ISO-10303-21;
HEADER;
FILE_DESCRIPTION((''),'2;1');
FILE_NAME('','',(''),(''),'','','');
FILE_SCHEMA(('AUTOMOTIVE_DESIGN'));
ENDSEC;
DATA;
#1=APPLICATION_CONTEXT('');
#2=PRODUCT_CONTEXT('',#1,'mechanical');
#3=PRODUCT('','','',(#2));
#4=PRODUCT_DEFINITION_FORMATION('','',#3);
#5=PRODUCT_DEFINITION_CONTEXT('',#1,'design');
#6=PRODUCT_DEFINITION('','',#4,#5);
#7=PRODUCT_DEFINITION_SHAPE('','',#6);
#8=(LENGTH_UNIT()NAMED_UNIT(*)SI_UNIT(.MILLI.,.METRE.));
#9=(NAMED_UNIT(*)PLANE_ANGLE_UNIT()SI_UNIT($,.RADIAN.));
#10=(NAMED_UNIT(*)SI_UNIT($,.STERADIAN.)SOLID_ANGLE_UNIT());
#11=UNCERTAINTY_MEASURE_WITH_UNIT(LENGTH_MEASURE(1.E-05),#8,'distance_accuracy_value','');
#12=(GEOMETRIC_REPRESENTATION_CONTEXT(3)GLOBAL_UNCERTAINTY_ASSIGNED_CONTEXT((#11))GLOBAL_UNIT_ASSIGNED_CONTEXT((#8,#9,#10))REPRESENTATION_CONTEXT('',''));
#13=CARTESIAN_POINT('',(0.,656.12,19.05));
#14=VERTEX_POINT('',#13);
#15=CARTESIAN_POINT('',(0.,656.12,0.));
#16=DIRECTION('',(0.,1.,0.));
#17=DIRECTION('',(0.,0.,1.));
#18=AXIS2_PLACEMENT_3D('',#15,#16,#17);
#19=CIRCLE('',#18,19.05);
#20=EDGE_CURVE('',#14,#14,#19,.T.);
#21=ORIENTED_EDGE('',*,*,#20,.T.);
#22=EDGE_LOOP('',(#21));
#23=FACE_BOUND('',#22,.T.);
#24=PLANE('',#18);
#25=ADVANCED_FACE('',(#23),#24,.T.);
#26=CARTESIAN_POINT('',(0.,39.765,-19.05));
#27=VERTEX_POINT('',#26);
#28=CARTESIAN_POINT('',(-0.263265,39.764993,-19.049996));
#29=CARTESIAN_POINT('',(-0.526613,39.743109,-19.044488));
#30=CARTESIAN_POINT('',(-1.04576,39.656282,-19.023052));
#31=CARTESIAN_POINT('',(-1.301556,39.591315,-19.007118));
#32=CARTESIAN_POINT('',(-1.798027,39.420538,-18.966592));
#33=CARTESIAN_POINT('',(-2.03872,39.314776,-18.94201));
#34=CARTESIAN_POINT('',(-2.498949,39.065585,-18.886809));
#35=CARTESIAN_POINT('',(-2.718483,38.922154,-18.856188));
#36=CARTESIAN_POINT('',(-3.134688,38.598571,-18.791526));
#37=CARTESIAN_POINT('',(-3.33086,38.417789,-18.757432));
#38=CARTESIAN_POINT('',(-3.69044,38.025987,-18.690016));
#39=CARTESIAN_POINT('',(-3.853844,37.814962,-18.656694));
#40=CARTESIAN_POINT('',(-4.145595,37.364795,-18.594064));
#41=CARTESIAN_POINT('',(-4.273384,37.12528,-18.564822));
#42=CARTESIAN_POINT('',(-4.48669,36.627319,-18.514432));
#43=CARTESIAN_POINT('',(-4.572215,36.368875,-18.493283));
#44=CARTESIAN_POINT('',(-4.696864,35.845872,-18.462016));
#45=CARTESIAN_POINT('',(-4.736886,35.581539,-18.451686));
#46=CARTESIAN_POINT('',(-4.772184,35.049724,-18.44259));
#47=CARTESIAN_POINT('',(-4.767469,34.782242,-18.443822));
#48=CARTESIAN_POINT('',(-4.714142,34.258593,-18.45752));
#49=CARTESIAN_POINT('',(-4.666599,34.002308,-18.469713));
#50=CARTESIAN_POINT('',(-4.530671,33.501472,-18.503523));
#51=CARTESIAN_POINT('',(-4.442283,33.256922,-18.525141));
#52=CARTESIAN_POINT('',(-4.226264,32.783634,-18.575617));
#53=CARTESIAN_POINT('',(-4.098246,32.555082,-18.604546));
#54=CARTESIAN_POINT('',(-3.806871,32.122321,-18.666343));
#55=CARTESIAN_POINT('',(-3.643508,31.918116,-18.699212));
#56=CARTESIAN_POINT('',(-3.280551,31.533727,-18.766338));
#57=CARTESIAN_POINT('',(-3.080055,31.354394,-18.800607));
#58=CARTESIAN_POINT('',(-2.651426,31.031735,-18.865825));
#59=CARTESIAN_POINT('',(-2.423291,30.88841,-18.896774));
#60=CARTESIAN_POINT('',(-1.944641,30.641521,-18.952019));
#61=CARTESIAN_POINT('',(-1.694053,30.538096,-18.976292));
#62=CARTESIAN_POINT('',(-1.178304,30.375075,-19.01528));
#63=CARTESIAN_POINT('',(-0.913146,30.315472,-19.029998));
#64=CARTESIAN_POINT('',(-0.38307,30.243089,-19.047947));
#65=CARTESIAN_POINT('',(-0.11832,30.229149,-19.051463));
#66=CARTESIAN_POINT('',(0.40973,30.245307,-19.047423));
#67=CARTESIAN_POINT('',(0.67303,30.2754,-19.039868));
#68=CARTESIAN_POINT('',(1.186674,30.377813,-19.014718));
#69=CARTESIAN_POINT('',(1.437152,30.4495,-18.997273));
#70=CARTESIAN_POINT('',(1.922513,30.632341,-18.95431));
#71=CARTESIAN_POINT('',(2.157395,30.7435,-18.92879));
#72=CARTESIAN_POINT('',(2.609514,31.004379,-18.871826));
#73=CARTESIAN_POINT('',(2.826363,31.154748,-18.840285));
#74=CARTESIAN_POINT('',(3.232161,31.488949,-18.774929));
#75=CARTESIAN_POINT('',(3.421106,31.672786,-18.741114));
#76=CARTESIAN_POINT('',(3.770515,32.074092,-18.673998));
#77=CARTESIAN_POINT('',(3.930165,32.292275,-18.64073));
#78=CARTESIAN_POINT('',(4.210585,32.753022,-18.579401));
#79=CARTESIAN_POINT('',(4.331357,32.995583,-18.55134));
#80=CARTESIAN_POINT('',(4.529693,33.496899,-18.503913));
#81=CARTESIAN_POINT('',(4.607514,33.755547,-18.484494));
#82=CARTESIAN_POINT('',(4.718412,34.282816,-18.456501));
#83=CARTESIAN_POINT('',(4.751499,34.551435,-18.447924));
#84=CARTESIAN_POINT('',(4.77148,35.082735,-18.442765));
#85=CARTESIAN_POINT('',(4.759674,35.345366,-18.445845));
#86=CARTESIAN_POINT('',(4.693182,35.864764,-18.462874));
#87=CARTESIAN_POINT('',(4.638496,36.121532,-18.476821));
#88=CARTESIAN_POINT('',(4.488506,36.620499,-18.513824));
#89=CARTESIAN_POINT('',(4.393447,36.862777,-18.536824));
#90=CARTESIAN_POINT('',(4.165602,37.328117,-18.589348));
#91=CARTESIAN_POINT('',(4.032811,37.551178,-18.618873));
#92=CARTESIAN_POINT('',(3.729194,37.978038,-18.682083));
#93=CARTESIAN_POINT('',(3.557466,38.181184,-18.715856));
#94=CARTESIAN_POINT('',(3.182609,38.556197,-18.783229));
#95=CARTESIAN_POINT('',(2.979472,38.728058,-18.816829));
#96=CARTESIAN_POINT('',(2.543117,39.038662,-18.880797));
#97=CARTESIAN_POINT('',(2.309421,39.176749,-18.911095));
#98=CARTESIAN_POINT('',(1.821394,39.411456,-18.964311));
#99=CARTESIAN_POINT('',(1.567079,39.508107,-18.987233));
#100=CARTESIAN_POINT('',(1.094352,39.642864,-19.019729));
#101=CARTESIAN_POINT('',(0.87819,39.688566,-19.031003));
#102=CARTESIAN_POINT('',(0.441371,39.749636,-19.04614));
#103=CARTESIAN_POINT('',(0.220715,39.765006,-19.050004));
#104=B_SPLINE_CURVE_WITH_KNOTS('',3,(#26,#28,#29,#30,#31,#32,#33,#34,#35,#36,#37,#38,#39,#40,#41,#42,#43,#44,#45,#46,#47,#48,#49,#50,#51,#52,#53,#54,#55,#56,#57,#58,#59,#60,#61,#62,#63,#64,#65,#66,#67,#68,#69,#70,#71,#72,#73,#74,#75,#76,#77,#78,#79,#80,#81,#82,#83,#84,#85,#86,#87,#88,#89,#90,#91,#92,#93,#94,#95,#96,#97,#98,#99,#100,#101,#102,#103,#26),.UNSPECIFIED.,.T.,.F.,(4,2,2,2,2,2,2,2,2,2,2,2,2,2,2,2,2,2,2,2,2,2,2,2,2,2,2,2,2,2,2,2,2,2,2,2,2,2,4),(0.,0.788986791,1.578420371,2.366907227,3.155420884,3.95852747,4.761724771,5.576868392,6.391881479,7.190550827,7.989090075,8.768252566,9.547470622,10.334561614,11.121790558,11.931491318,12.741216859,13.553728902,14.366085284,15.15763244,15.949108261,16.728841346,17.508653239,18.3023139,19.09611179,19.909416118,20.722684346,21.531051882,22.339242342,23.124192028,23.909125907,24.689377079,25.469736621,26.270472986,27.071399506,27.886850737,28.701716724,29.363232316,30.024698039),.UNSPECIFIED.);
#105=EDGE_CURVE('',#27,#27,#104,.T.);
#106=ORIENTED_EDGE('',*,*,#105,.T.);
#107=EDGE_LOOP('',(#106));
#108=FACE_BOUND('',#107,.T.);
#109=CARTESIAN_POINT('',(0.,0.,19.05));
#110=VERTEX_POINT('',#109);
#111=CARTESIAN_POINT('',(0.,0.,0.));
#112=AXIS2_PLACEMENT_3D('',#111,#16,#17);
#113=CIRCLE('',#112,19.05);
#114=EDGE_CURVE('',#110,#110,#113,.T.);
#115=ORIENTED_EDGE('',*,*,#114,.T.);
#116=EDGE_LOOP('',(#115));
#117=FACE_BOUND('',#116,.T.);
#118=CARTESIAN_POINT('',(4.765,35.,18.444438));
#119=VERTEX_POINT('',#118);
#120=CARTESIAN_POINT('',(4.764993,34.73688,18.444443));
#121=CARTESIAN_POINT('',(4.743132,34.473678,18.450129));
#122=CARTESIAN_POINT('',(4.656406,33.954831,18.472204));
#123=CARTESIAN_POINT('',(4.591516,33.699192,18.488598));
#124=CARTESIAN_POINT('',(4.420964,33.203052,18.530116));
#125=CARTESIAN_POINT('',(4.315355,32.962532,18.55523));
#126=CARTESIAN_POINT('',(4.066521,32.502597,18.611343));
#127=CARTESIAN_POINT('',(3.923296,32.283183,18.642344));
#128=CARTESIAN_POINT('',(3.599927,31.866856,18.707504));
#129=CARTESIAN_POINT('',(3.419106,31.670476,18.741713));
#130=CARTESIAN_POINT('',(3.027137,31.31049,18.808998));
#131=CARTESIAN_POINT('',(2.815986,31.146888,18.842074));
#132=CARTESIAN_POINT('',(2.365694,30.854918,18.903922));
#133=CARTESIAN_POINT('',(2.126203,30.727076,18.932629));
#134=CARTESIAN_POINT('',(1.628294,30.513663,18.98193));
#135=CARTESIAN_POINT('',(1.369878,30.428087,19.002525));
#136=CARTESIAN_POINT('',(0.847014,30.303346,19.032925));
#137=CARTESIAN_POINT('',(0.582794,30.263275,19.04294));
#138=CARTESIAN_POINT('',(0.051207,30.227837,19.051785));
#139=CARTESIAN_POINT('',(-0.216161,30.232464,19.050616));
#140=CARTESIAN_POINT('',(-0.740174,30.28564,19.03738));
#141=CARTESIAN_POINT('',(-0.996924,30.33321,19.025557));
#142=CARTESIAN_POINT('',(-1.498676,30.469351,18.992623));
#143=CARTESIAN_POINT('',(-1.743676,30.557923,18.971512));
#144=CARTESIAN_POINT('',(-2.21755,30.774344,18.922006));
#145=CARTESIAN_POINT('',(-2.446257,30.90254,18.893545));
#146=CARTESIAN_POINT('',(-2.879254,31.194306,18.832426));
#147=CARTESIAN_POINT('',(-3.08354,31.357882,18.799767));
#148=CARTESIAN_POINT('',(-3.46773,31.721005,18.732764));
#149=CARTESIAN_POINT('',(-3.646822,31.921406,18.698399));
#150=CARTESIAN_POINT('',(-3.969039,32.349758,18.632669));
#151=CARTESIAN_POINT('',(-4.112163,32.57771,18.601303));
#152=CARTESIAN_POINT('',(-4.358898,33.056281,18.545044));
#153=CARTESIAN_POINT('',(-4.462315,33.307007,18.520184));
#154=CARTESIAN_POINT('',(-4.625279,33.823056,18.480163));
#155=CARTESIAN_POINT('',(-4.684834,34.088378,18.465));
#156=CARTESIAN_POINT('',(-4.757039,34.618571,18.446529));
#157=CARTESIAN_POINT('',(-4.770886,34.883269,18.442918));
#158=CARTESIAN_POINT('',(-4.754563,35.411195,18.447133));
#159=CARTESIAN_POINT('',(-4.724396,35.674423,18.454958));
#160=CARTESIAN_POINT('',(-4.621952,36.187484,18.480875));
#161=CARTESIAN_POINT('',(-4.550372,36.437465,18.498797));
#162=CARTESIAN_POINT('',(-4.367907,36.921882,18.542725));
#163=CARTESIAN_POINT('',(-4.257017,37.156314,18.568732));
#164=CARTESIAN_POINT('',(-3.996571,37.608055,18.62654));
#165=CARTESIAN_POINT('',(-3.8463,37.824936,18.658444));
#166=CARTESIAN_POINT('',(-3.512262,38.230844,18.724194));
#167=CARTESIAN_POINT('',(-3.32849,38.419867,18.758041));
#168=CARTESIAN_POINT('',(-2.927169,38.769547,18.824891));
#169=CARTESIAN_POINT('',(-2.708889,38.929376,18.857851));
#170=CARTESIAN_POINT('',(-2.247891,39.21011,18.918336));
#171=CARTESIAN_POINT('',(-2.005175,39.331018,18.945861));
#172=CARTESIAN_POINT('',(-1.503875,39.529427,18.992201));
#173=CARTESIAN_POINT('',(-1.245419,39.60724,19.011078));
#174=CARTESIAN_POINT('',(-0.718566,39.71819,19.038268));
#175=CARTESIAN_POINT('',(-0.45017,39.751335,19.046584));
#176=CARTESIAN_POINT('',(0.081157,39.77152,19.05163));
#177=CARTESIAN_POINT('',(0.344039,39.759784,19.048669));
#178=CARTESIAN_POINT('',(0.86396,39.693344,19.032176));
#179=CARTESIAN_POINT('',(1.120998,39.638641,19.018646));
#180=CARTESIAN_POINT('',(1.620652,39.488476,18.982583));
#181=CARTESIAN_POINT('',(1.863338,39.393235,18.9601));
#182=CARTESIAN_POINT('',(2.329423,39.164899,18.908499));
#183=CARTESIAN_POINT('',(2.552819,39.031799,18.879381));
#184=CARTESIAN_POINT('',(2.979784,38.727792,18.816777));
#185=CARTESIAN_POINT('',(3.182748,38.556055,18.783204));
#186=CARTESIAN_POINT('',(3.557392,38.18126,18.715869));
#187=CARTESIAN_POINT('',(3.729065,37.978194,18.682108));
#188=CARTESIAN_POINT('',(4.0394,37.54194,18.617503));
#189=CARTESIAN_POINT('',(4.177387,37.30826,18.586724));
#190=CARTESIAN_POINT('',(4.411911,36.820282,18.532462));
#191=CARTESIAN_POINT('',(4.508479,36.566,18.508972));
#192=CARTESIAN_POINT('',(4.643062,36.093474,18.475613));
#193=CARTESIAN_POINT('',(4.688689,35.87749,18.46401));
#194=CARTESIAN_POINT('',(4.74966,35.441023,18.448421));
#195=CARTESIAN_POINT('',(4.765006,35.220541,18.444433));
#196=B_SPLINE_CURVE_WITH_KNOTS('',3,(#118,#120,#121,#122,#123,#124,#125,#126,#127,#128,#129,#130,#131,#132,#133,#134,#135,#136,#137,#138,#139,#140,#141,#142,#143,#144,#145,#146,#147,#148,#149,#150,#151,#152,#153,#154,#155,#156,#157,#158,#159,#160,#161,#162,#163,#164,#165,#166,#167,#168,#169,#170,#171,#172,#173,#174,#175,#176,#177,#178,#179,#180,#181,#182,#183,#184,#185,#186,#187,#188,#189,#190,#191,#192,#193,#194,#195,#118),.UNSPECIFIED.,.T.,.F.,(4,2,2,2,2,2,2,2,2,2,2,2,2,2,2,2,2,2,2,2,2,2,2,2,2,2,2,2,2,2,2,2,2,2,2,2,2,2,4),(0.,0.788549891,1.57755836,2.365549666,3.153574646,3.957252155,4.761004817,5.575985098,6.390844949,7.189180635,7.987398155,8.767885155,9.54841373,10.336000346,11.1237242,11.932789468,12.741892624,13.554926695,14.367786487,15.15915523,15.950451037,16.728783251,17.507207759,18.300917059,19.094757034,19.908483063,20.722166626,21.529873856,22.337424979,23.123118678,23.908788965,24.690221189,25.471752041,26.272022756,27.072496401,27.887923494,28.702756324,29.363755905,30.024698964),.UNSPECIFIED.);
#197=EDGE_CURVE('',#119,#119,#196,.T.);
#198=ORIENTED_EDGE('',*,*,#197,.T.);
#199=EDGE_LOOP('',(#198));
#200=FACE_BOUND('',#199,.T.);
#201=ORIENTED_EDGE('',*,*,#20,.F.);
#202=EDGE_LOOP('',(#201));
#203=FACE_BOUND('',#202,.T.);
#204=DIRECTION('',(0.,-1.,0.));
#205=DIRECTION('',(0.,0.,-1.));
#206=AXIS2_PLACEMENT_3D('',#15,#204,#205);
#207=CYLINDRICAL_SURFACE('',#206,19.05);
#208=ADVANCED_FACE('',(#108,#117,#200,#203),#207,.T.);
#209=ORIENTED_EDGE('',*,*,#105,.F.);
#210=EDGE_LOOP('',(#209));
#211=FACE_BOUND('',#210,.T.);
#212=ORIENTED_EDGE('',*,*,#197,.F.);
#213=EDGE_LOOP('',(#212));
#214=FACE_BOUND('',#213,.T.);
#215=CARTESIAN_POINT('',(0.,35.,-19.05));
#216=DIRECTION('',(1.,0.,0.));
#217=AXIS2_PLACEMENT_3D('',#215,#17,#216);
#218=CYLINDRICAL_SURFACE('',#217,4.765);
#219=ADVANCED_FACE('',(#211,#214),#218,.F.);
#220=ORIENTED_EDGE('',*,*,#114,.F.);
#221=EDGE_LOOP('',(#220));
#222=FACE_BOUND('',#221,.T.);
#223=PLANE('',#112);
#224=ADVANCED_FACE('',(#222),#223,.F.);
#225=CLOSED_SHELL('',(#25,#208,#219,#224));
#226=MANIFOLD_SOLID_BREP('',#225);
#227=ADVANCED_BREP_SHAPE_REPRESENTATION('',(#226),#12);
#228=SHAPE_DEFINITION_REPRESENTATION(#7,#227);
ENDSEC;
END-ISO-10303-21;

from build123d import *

# Parameters (mm, degrees)
CROQUIS4_R                 = 19.05
SALIENTE_EXTRUIR2_DEPTH    = 656.12
CROQUIS5_R                 = 4.765
CORTAR_EXTRUIR2_DEPTH      = 20.05
CORTAR_EXTRUIR2_DEPTH_BACK = 20.05


with BuildPart() as part:
    # Croquis4 → Saliente-Extruir2 (new body)
    with BuildSketch(Plane(origin=(0, 0, 0), x_dir=(1, 0, 0), z_dir=(0, 1, 0))):
        Circle(CROQUIS4_R)
    extrude(amount=SALIENTE_EXTRUIR2_DEPTH)

    # Croquis5 → Cortar-Extruir2 (cut, two sides)
    with BuildSketch(Plane.XY) as cortar_extruir2_sk:
        with Locations((0, 35)):
            Circle(CROQUIS5_R)
    extrude(amount=CORTAR_EXTRUIR2_DEPTH, mode=Mode.SUBTRACT)
    extrude(cortar_extruir2_sk.sketch, amount=-CORTAR_EXTRUIR2_DEPTH_BACK, mode=Mode.SUBTRACT)


solid = part.part
